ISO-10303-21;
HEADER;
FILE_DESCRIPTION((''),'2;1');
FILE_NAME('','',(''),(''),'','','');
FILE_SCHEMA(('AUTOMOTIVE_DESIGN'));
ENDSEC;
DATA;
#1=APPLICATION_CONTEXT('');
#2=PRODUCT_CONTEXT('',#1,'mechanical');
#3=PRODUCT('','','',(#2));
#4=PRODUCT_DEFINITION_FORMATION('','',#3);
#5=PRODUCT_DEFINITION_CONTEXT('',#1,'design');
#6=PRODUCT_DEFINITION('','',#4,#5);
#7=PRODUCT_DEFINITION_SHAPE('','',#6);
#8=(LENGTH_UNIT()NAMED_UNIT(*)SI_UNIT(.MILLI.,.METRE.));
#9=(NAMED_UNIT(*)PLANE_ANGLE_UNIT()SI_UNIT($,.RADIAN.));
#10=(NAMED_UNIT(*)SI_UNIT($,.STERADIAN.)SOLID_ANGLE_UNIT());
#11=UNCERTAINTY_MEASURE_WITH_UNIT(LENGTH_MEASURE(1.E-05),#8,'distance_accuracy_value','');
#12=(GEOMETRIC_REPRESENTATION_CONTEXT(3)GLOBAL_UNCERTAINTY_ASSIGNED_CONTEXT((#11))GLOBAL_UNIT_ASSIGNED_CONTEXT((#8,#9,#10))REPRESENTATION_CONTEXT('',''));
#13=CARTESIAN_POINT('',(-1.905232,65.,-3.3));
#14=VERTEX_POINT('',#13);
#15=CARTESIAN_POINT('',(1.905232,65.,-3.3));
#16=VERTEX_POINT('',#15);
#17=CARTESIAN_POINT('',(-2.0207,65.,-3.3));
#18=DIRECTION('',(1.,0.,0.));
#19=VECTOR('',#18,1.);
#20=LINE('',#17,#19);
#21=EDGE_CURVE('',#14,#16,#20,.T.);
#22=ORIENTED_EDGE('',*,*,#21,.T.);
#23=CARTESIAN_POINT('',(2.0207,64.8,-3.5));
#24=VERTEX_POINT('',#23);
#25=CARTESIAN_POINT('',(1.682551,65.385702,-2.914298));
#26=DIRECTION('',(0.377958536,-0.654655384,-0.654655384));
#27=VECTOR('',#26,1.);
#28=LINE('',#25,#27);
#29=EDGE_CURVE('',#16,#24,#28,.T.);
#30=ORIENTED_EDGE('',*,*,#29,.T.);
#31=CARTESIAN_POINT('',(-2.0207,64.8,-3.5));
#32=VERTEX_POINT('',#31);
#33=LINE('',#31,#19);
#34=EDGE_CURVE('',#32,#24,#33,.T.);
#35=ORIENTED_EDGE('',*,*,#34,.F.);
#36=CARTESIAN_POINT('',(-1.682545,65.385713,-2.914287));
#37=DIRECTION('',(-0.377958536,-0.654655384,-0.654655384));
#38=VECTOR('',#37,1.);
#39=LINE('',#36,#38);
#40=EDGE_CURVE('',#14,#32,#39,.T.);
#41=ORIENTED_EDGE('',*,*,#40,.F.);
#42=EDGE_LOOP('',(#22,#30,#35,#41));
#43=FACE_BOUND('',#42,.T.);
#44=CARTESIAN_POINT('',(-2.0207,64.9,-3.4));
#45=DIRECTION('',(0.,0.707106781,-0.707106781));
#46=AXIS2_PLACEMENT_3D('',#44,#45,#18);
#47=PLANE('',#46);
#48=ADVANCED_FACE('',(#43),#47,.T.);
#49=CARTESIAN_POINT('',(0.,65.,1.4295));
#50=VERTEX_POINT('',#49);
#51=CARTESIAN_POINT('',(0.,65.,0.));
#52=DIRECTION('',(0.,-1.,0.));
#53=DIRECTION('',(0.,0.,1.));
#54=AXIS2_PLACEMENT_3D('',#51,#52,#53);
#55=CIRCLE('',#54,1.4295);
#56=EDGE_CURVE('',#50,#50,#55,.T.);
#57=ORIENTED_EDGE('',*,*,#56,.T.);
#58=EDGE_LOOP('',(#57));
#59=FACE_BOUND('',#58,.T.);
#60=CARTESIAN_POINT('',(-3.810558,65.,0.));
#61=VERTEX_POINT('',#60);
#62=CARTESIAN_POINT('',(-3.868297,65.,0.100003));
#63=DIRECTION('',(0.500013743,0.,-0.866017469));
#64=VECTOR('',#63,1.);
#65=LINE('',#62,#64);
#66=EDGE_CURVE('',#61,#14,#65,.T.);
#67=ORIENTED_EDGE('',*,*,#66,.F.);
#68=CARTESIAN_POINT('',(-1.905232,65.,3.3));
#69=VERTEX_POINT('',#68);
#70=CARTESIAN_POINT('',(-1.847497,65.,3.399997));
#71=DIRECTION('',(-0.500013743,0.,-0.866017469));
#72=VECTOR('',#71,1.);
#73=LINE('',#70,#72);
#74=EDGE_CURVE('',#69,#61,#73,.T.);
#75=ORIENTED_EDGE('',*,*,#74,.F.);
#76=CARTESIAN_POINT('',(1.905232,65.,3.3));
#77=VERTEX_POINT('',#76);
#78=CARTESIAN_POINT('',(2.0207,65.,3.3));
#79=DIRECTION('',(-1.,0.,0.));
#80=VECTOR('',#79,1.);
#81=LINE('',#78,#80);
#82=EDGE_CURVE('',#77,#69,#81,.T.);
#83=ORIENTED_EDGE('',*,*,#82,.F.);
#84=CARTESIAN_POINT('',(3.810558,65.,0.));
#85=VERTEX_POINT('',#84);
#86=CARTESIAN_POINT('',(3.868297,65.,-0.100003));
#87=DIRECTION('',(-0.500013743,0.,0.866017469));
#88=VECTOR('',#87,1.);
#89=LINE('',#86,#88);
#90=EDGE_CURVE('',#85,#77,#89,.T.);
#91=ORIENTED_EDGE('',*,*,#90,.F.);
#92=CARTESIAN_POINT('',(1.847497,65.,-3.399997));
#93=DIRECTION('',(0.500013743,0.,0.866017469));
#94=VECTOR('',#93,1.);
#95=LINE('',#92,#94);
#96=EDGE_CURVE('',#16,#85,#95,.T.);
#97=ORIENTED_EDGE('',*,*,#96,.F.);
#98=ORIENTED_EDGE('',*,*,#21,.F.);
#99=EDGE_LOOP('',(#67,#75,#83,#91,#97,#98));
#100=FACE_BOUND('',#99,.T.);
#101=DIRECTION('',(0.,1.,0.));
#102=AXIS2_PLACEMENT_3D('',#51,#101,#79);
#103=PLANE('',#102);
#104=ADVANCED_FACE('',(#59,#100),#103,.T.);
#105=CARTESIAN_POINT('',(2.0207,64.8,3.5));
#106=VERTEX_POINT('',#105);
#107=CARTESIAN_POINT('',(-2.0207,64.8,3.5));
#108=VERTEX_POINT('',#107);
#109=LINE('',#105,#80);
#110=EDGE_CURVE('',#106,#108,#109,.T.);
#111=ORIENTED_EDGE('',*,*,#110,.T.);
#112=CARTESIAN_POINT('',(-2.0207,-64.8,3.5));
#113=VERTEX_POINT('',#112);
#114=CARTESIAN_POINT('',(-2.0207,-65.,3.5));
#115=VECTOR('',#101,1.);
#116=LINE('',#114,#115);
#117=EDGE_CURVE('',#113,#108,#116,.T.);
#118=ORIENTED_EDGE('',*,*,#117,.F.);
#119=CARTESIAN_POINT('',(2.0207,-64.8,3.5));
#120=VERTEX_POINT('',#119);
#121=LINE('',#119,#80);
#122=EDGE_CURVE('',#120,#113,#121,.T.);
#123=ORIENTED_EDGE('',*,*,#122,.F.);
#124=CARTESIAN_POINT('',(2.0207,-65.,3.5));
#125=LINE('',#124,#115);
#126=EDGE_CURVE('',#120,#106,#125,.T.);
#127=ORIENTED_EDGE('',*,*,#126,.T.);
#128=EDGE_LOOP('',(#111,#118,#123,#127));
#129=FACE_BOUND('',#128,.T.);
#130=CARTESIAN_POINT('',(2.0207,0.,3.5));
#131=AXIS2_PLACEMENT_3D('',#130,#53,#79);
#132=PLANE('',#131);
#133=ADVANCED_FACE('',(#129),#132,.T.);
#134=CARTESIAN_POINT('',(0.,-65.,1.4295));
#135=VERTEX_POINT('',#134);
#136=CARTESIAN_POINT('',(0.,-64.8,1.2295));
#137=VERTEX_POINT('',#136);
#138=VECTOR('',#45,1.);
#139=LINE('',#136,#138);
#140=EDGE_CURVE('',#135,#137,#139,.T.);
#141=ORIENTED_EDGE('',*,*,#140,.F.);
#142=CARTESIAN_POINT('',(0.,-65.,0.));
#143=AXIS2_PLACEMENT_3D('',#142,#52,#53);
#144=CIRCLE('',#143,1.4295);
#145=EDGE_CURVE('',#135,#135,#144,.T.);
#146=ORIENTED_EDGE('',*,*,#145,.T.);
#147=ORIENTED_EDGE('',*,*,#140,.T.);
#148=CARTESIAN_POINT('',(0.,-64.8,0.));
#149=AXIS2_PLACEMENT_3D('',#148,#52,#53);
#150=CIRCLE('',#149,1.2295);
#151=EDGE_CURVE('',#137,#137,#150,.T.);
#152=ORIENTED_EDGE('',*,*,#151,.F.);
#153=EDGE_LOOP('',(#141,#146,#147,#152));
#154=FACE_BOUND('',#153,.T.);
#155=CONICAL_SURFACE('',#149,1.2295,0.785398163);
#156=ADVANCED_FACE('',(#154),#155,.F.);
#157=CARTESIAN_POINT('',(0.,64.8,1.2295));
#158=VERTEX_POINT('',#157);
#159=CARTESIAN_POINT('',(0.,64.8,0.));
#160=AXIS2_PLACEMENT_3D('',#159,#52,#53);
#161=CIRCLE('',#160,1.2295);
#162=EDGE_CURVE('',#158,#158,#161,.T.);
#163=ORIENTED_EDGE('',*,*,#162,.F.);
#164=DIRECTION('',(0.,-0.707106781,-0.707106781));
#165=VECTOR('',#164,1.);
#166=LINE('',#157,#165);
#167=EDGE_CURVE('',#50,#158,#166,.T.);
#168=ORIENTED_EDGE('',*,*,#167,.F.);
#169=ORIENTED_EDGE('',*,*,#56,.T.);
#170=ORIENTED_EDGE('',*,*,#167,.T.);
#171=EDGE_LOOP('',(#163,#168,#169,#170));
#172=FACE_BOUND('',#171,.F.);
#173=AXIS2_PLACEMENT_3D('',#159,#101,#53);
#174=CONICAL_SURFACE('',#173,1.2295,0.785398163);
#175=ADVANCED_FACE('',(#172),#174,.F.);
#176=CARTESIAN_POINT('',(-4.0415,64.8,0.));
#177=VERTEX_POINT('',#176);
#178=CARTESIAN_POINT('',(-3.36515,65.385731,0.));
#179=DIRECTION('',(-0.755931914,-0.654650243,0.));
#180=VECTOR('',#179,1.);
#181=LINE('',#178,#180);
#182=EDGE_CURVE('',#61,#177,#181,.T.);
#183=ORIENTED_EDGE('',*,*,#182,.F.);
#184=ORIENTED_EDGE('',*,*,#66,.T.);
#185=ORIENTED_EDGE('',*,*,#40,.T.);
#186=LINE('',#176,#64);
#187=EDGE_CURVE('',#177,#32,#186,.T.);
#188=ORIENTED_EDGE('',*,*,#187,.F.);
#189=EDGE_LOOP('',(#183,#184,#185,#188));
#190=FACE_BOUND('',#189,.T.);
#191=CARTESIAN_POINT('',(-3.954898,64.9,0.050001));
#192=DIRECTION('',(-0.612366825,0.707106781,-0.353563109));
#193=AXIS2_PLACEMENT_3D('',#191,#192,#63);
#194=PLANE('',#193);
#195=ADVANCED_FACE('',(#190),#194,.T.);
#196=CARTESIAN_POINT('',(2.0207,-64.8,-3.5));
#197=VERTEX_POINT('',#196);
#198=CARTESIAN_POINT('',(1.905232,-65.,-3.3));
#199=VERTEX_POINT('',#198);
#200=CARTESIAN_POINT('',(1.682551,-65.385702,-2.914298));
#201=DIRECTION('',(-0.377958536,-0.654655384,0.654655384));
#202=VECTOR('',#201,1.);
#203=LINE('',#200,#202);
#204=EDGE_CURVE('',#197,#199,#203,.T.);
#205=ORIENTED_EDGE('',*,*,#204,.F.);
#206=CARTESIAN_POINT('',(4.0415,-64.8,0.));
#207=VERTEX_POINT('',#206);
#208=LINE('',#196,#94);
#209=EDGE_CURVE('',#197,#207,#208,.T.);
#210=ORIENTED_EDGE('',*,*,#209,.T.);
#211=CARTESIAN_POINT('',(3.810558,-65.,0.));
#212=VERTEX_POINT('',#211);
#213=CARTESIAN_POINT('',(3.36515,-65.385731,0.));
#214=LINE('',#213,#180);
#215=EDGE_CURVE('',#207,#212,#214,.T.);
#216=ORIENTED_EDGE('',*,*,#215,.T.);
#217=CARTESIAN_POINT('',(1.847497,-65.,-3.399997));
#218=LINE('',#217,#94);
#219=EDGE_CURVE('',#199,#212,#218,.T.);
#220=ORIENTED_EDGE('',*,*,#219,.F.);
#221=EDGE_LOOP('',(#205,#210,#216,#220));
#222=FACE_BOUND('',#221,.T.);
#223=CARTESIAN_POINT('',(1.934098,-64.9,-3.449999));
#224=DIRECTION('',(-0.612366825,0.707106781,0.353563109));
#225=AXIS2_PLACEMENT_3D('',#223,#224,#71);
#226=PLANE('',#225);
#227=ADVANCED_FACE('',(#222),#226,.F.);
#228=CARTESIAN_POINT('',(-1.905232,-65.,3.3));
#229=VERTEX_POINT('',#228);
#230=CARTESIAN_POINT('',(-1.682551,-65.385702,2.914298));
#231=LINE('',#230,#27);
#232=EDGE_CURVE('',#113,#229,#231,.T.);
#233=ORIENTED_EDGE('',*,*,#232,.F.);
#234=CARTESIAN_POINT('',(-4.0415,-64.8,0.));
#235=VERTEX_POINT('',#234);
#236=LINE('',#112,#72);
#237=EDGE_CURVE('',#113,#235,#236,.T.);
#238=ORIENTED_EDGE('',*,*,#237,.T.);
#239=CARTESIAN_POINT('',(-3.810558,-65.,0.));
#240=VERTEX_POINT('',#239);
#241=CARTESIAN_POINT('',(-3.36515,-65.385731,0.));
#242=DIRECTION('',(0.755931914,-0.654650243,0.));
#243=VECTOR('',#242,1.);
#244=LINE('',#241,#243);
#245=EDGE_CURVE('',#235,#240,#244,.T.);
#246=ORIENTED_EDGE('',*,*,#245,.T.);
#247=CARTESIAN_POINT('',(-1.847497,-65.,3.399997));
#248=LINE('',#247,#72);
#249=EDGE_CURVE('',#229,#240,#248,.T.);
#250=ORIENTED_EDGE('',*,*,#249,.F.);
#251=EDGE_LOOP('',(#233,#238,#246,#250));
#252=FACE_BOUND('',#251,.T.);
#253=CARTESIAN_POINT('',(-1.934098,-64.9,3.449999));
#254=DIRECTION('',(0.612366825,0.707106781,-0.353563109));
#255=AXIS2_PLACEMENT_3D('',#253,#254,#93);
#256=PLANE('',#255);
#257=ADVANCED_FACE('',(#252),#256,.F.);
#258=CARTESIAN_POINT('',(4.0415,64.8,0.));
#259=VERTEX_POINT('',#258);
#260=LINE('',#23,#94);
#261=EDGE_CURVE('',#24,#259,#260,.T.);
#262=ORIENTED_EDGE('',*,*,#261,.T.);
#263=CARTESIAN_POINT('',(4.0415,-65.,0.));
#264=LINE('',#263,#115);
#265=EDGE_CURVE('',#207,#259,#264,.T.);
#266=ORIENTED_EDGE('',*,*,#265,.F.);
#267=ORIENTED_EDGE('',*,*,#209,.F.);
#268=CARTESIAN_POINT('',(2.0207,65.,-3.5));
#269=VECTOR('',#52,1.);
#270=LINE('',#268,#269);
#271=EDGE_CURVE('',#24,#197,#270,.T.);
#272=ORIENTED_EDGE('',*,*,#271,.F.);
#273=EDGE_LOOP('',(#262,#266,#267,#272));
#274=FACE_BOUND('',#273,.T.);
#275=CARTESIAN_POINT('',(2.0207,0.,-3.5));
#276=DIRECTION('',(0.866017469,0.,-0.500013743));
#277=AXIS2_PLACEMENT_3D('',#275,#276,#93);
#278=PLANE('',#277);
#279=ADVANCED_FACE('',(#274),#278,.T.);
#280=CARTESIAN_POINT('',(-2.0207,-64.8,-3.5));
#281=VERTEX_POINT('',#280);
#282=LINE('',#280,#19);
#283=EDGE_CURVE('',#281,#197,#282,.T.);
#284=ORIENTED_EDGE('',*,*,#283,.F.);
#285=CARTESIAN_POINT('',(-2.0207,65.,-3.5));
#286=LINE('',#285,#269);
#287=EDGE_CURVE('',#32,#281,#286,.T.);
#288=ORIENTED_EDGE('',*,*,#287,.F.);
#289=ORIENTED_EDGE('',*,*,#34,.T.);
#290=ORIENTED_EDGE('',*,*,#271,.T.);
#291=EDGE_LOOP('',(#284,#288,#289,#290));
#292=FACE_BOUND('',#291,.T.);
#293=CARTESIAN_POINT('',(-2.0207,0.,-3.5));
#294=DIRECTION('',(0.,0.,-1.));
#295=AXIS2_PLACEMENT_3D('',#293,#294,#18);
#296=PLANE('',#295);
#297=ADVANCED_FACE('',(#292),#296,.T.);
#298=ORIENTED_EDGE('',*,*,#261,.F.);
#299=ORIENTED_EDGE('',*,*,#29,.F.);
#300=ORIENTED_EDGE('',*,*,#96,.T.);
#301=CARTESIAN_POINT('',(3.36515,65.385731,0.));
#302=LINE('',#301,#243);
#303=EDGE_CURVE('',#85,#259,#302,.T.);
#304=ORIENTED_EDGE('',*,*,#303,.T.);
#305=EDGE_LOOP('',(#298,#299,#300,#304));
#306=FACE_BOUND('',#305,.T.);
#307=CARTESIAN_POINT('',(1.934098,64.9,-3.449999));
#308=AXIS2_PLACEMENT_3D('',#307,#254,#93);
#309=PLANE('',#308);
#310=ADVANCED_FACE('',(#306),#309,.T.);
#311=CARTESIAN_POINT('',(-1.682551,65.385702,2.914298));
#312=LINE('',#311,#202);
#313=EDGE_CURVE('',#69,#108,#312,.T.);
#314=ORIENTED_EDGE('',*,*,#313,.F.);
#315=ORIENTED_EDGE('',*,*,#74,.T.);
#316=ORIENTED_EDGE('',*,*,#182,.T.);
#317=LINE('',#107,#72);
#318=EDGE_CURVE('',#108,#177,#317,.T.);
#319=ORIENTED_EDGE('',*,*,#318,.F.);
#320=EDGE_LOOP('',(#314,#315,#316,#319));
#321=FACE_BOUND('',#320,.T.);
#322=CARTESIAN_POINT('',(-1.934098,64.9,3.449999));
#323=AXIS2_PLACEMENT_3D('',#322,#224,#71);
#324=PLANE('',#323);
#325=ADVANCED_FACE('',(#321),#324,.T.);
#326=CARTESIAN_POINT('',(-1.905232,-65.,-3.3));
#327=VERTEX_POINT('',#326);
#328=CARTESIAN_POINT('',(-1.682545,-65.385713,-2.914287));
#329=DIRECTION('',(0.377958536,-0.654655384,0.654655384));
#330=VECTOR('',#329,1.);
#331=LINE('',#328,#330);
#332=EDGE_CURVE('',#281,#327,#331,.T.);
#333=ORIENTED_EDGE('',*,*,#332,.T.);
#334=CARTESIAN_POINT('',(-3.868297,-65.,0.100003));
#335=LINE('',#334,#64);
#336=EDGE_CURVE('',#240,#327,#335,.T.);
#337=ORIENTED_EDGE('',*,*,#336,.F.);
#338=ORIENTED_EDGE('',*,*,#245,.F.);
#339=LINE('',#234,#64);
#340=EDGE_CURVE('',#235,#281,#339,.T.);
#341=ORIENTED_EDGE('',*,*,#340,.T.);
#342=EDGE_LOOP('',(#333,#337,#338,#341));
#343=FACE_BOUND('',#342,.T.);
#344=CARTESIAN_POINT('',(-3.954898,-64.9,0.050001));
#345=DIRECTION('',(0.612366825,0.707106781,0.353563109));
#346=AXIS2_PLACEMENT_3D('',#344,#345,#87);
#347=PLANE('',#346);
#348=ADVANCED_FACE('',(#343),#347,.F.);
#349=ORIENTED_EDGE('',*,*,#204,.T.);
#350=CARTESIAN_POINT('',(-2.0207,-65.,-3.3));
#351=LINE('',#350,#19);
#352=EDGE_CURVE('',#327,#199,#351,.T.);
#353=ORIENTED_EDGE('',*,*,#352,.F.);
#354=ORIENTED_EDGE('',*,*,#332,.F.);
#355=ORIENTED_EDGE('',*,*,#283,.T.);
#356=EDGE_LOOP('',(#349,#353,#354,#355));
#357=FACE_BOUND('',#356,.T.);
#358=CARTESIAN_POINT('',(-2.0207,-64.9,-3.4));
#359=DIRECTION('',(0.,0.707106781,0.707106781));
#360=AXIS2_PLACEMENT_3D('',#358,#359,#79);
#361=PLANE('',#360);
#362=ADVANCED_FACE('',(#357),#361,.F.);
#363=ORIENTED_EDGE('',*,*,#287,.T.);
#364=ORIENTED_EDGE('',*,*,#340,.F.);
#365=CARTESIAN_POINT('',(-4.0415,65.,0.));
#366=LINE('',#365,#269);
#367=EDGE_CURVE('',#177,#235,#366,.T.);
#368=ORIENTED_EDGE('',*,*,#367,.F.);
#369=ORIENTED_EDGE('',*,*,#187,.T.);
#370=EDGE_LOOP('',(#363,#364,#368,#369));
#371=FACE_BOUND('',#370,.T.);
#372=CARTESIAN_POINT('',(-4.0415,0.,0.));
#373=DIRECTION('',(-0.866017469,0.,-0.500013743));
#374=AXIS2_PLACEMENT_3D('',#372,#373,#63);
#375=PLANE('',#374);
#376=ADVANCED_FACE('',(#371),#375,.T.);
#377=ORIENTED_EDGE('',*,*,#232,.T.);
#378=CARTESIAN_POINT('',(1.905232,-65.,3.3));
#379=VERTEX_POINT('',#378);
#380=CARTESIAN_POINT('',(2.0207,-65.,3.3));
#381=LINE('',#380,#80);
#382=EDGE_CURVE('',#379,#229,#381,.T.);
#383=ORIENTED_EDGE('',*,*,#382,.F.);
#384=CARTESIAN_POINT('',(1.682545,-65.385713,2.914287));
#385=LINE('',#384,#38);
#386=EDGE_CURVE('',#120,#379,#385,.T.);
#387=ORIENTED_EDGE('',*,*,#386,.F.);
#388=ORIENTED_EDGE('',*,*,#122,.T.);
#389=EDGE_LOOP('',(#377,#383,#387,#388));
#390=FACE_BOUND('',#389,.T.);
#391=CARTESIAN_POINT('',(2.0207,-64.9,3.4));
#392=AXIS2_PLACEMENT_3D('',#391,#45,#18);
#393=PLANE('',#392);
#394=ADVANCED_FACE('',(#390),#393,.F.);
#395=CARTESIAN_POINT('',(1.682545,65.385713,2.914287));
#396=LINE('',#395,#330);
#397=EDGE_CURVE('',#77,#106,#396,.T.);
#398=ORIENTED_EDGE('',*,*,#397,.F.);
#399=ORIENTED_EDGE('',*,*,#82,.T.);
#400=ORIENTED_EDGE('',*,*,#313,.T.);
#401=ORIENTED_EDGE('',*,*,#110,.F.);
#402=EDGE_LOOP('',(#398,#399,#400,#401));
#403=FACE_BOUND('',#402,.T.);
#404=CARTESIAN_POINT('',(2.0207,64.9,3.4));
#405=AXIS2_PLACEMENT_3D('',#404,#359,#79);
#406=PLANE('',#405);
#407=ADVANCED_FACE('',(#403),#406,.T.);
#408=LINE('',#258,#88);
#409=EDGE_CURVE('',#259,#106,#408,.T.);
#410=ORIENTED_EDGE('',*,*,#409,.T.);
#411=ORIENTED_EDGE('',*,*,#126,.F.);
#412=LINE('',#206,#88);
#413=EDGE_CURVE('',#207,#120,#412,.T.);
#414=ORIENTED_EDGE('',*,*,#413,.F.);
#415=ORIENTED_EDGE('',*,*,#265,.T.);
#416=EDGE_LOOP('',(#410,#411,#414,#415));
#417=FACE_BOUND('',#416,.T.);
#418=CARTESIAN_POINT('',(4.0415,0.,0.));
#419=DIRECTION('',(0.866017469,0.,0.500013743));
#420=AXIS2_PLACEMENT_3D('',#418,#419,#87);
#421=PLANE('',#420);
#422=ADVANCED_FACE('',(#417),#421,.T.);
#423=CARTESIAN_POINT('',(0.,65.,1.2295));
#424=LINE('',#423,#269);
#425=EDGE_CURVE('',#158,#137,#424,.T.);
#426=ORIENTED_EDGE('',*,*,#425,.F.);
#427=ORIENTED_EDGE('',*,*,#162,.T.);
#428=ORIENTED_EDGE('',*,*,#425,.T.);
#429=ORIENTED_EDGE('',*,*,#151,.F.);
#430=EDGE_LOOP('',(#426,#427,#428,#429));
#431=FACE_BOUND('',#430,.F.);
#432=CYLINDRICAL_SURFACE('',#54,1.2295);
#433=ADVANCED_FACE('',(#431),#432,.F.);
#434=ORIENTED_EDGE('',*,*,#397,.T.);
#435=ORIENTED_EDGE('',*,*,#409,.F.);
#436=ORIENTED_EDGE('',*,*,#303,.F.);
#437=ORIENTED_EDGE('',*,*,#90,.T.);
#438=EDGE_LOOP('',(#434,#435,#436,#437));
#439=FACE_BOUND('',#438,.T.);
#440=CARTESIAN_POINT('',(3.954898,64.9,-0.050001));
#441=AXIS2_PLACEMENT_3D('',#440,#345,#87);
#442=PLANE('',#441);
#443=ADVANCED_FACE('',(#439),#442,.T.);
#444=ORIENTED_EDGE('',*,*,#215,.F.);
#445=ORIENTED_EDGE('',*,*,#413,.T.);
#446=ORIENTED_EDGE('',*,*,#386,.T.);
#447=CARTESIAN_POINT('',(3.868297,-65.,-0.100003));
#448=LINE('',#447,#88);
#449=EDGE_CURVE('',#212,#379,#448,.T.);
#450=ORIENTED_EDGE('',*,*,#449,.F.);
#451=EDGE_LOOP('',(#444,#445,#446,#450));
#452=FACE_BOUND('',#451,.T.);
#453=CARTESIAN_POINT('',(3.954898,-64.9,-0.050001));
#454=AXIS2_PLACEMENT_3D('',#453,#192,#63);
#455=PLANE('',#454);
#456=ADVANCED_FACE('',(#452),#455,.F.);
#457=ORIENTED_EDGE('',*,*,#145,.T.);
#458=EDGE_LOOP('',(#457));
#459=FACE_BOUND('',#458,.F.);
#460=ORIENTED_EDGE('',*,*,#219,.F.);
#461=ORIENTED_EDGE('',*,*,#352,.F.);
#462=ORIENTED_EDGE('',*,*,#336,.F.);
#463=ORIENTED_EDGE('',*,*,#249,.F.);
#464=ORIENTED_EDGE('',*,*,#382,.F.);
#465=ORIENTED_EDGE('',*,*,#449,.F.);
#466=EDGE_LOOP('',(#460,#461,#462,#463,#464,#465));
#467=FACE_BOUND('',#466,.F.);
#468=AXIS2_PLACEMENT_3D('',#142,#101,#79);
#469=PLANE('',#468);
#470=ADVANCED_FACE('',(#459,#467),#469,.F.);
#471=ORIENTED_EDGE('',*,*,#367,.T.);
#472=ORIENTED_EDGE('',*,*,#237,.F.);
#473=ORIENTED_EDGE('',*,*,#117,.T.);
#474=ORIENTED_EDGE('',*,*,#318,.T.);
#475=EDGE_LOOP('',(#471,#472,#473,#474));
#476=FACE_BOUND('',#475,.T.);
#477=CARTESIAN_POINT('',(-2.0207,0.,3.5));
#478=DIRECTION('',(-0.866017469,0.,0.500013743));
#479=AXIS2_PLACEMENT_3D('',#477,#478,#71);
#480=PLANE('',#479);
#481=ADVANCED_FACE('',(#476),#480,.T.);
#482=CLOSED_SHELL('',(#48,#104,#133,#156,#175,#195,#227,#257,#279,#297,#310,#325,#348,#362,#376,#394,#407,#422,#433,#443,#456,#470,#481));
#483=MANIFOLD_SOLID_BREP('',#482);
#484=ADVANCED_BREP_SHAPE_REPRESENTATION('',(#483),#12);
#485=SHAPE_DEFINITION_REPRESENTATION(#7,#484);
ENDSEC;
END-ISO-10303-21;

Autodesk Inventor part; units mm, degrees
ref_plane "YZ Plane" through (0, 0, 0) normal (1, 0, 0) x (0, 1, 0)
ref_plane "XZ Plane" through (0, 0, 0) normal (0, 1, 0) x (-1, 0, 0)
ref_plane "XY Plane" through (0, 0, 0) normal (0, 0, 1) x (1, 0, 0)
sketch "スケッチ1" plane through (0, 0, 0) normal (0, 1, 0) x (-1, 0, 0)
  line L0 (2.0207, 3.5) -> (4.0415, 0)
  line L1 (4.0415, 0) -> (2.0207, -3.5)
  line L2 (2.0207, -3.5) -> (-2.0207, -3.5)
  line L3 (-2.0207, -3.5) -> (-4.0415, 0)
  line L4 (-4.0415, 0) -> (-2.0207, 3.5)
  line L5 (-2.0207, 3.5) -> (2.0207, 3.5)
  point P0 (0, 0)
  point P1 (0, 0)
  dimension "d0" = 7
extrude "押し出し1" add sketch "スケッチ1" along normal mid plane 130
sketch "スケッチ2" plane through (0, 65, 0) normal (0, 1, 0) x (1, 0, 0)
  point P0 (0, 0)
  point P1 (0, 0)
hole "穴1" at (0, 65, 0) direction (0, -1, 0) diameter 2.459 end through all thread size "M3x0.5" class "6H" standard "ISO Metric profile"
chamfer "面取り1" distance 0.2 angle 45 2 edges at (0, 65, -1.2295) (0, -65, -1.2295)
chamfer "面取り2" distance 0.2 angle 45 12 edges at (0, 65, 3.5) (-3.0311, 65, 1.75) (-3.0311, 65, -1.75) (0, 65, -3.5) (3.0311, 65, -1.75) (3.0311, 65, 1.75) (3.0311, -65, 1.75) (3.0311, -65, -1.75) (0, -65, 3.5) (-3.0311, -65, 1.75) (-3.0311, -65, -1.75) (0, -65, -3.5)
properties part number "Spacer_M3-Hex7-L130"
